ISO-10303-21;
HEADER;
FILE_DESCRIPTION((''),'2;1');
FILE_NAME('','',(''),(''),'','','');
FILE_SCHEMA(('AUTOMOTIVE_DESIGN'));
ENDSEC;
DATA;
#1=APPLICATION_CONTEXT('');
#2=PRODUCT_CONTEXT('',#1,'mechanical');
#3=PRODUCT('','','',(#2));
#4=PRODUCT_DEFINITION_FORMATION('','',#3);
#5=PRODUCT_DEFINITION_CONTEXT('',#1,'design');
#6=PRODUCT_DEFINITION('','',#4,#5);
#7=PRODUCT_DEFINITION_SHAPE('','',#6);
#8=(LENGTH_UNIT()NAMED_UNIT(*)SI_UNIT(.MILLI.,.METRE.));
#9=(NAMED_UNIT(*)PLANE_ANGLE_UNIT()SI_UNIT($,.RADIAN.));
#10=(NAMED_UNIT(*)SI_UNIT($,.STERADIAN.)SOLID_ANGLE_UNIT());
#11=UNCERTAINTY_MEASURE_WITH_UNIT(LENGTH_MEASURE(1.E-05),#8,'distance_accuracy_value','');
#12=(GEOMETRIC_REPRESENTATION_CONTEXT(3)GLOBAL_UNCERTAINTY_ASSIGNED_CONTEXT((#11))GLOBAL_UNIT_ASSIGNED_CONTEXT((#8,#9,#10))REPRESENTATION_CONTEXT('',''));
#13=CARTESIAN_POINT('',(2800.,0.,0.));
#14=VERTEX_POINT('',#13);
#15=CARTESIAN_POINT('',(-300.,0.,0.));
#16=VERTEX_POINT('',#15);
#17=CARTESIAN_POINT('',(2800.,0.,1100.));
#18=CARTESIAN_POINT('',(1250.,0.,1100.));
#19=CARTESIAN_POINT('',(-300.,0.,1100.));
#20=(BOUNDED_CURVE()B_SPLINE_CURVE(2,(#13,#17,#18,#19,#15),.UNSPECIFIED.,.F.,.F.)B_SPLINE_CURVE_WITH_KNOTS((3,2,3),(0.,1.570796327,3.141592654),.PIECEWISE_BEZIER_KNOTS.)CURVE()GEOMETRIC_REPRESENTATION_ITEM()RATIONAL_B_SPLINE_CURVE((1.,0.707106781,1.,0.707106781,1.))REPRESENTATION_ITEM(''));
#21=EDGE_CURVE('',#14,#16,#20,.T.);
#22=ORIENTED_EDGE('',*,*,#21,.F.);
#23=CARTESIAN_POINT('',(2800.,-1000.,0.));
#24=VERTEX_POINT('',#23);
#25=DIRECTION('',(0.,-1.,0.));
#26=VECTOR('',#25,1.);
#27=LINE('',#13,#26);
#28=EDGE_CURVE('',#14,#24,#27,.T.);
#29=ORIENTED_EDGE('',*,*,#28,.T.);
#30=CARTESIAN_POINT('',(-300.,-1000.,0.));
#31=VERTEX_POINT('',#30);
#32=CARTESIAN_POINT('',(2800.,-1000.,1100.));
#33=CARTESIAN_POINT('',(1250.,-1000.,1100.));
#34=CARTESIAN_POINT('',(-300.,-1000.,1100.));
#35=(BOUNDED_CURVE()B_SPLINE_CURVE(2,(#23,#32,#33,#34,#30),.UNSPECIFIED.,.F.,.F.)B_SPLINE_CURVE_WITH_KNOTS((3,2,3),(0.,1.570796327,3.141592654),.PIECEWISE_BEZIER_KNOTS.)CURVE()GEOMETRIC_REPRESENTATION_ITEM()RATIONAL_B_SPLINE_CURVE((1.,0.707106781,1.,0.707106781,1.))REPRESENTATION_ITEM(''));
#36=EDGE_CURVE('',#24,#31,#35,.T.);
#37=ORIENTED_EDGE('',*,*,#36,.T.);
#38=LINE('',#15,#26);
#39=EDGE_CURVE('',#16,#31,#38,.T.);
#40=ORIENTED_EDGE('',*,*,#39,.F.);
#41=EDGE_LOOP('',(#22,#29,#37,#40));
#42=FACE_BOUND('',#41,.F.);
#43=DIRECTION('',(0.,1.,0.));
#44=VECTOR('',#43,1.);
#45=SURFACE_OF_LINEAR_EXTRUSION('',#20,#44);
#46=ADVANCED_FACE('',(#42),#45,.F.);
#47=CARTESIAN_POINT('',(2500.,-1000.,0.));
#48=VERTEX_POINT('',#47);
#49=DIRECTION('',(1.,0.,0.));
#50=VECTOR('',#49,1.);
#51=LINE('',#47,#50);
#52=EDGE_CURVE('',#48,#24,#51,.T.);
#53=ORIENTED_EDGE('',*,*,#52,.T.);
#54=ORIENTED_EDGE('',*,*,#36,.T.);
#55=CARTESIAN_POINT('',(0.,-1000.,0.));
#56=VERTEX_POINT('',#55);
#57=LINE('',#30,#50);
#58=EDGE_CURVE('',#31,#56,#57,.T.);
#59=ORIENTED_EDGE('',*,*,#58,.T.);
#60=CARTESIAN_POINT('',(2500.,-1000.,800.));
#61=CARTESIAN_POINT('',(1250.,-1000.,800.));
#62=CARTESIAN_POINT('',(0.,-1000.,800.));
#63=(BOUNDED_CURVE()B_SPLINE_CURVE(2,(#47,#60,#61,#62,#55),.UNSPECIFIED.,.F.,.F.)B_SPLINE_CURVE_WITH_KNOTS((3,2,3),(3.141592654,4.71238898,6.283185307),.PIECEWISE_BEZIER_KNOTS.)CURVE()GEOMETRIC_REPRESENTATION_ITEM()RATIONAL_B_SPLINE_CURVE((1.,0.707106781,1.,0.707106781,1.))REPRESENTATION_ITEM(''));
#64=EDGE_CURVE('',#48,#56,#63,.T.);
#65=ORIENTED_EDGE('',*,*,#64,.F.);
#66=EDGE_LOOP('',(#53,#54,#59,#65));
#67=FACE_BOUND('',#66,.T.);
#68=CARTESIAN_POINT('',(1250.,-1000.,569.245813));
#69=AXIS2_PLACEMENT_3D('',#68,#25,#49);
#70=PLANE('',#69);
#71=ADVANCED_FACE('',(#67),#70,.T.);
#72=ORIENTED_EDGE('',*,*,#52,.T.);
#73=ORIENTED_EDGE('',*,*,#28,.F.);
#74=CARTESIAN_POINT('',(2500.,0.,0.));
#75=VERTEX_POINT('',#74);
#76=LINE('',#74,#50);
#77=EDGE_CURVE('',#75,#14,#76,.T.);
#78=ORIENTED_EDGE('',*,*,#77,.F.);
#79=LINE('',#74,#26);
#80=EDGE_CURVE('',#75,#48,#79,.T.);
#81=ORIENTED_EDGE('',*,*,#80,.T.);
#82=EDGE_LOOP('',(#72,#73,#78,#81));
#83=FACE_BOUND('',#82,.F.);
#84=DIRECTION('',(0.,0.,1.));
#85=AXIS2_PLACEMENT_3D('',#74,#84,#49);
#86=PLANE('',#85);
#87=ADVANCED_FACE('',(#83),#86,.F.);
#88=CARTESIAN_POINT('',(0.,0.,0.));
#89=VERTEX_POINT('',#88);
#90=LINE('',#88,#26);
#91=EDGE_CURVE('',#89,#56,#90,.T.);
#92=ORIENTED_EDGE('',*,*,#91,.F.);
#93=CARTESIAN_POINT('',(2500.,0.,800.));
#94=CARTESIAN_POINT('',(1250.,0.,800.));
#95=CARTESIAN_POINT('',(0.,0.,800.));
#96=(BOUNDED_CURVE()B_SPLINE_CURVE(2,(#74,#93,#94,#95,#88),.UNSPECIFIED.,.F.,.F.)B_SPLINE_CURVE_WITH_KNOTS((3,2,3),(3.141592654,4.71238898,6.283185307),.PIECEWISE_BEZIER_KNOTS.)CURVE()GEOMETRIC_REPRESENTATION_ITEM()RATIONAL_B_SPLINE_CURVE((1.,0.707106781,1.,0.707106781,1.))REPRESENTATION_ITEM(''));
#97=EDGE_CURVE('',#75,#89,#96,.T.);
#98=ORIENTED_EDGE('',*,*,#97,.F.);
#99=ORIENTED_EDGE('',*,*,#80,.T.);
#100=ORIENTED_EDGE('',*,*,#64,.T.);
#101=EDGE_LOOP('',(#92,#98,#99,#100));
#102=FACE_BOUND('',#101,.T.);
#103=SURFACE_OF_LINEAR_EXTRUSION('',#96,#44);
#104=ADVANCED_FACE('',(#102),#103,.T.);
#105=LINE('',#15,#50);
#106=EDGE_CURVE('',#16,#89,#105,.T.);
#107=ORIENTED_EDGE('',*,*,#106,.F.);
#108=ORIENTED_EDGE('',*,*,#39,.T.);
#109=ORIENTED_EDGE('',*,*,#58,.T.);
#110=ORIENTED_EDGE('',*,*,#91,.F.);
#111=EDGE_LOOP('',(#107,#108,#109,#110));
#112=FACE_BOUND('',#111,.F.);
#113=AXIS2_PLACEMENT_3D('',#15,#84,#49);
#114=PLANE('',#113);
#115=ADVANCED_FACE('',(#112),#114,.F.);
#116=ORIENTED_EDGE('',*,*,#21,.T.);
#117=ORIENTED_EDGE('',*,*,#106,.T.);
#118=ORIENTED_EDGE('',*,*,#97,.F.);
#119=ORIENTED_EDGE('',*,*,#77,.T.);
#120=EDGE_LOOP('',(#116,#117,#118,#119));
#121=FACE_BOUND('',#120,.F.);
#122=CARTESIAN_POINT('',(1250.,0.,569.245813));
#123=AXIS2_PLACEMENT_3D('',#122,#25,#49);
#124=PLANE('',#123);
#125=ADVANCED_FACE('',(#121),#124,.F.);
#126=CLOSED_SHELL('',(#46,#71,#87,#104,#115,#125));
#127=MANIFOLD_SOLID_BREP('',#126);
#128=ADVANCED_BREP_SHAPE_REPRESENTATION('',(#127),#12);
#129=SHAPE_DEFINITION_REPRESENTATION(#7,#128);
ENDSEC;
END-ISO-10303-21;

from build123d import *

# Parameters (mm, degrees)
F1_DEPTH = 1000


with BuildPart() as f1:
    # F0 (on Front) → F1 (new body)
    with BuildSketch(Plane.XZ):
        with BuildLine():
            Line((-300, 0), (0, 0))
            add(Edge.make_bspline(
                [(2500, 0), (2500, 800), (1250, 800), (0, 800), (0, 0)],
                knots=[3.1415926536, 3.1415926536, 3.1415926536, 4.7123889804, 4.7123889804, 6.2831853072, 6.2831853072, 6.2831853072], degree=2, weights=[1, 0.7071067812, 1, 0.7071067812, 1]))
            Line((2500, 0), (2800, 0))
            add(Edge.make_bspline(
                [(2800, 0), (2800, 1100), (1250, 1100), (-300, 1100), (-300, 0)],
                knots=[0, 0, 0, 1.5707963268, 1.5707963268, 3.1415926536, 3.1415926536, 3.1415926536], degree=2, weights=[1, 0.7071067812, 1, 0.7071067812, 1]))
        make_face()
    extrude(amount=F1_DEPTH)


solid = f1.part
